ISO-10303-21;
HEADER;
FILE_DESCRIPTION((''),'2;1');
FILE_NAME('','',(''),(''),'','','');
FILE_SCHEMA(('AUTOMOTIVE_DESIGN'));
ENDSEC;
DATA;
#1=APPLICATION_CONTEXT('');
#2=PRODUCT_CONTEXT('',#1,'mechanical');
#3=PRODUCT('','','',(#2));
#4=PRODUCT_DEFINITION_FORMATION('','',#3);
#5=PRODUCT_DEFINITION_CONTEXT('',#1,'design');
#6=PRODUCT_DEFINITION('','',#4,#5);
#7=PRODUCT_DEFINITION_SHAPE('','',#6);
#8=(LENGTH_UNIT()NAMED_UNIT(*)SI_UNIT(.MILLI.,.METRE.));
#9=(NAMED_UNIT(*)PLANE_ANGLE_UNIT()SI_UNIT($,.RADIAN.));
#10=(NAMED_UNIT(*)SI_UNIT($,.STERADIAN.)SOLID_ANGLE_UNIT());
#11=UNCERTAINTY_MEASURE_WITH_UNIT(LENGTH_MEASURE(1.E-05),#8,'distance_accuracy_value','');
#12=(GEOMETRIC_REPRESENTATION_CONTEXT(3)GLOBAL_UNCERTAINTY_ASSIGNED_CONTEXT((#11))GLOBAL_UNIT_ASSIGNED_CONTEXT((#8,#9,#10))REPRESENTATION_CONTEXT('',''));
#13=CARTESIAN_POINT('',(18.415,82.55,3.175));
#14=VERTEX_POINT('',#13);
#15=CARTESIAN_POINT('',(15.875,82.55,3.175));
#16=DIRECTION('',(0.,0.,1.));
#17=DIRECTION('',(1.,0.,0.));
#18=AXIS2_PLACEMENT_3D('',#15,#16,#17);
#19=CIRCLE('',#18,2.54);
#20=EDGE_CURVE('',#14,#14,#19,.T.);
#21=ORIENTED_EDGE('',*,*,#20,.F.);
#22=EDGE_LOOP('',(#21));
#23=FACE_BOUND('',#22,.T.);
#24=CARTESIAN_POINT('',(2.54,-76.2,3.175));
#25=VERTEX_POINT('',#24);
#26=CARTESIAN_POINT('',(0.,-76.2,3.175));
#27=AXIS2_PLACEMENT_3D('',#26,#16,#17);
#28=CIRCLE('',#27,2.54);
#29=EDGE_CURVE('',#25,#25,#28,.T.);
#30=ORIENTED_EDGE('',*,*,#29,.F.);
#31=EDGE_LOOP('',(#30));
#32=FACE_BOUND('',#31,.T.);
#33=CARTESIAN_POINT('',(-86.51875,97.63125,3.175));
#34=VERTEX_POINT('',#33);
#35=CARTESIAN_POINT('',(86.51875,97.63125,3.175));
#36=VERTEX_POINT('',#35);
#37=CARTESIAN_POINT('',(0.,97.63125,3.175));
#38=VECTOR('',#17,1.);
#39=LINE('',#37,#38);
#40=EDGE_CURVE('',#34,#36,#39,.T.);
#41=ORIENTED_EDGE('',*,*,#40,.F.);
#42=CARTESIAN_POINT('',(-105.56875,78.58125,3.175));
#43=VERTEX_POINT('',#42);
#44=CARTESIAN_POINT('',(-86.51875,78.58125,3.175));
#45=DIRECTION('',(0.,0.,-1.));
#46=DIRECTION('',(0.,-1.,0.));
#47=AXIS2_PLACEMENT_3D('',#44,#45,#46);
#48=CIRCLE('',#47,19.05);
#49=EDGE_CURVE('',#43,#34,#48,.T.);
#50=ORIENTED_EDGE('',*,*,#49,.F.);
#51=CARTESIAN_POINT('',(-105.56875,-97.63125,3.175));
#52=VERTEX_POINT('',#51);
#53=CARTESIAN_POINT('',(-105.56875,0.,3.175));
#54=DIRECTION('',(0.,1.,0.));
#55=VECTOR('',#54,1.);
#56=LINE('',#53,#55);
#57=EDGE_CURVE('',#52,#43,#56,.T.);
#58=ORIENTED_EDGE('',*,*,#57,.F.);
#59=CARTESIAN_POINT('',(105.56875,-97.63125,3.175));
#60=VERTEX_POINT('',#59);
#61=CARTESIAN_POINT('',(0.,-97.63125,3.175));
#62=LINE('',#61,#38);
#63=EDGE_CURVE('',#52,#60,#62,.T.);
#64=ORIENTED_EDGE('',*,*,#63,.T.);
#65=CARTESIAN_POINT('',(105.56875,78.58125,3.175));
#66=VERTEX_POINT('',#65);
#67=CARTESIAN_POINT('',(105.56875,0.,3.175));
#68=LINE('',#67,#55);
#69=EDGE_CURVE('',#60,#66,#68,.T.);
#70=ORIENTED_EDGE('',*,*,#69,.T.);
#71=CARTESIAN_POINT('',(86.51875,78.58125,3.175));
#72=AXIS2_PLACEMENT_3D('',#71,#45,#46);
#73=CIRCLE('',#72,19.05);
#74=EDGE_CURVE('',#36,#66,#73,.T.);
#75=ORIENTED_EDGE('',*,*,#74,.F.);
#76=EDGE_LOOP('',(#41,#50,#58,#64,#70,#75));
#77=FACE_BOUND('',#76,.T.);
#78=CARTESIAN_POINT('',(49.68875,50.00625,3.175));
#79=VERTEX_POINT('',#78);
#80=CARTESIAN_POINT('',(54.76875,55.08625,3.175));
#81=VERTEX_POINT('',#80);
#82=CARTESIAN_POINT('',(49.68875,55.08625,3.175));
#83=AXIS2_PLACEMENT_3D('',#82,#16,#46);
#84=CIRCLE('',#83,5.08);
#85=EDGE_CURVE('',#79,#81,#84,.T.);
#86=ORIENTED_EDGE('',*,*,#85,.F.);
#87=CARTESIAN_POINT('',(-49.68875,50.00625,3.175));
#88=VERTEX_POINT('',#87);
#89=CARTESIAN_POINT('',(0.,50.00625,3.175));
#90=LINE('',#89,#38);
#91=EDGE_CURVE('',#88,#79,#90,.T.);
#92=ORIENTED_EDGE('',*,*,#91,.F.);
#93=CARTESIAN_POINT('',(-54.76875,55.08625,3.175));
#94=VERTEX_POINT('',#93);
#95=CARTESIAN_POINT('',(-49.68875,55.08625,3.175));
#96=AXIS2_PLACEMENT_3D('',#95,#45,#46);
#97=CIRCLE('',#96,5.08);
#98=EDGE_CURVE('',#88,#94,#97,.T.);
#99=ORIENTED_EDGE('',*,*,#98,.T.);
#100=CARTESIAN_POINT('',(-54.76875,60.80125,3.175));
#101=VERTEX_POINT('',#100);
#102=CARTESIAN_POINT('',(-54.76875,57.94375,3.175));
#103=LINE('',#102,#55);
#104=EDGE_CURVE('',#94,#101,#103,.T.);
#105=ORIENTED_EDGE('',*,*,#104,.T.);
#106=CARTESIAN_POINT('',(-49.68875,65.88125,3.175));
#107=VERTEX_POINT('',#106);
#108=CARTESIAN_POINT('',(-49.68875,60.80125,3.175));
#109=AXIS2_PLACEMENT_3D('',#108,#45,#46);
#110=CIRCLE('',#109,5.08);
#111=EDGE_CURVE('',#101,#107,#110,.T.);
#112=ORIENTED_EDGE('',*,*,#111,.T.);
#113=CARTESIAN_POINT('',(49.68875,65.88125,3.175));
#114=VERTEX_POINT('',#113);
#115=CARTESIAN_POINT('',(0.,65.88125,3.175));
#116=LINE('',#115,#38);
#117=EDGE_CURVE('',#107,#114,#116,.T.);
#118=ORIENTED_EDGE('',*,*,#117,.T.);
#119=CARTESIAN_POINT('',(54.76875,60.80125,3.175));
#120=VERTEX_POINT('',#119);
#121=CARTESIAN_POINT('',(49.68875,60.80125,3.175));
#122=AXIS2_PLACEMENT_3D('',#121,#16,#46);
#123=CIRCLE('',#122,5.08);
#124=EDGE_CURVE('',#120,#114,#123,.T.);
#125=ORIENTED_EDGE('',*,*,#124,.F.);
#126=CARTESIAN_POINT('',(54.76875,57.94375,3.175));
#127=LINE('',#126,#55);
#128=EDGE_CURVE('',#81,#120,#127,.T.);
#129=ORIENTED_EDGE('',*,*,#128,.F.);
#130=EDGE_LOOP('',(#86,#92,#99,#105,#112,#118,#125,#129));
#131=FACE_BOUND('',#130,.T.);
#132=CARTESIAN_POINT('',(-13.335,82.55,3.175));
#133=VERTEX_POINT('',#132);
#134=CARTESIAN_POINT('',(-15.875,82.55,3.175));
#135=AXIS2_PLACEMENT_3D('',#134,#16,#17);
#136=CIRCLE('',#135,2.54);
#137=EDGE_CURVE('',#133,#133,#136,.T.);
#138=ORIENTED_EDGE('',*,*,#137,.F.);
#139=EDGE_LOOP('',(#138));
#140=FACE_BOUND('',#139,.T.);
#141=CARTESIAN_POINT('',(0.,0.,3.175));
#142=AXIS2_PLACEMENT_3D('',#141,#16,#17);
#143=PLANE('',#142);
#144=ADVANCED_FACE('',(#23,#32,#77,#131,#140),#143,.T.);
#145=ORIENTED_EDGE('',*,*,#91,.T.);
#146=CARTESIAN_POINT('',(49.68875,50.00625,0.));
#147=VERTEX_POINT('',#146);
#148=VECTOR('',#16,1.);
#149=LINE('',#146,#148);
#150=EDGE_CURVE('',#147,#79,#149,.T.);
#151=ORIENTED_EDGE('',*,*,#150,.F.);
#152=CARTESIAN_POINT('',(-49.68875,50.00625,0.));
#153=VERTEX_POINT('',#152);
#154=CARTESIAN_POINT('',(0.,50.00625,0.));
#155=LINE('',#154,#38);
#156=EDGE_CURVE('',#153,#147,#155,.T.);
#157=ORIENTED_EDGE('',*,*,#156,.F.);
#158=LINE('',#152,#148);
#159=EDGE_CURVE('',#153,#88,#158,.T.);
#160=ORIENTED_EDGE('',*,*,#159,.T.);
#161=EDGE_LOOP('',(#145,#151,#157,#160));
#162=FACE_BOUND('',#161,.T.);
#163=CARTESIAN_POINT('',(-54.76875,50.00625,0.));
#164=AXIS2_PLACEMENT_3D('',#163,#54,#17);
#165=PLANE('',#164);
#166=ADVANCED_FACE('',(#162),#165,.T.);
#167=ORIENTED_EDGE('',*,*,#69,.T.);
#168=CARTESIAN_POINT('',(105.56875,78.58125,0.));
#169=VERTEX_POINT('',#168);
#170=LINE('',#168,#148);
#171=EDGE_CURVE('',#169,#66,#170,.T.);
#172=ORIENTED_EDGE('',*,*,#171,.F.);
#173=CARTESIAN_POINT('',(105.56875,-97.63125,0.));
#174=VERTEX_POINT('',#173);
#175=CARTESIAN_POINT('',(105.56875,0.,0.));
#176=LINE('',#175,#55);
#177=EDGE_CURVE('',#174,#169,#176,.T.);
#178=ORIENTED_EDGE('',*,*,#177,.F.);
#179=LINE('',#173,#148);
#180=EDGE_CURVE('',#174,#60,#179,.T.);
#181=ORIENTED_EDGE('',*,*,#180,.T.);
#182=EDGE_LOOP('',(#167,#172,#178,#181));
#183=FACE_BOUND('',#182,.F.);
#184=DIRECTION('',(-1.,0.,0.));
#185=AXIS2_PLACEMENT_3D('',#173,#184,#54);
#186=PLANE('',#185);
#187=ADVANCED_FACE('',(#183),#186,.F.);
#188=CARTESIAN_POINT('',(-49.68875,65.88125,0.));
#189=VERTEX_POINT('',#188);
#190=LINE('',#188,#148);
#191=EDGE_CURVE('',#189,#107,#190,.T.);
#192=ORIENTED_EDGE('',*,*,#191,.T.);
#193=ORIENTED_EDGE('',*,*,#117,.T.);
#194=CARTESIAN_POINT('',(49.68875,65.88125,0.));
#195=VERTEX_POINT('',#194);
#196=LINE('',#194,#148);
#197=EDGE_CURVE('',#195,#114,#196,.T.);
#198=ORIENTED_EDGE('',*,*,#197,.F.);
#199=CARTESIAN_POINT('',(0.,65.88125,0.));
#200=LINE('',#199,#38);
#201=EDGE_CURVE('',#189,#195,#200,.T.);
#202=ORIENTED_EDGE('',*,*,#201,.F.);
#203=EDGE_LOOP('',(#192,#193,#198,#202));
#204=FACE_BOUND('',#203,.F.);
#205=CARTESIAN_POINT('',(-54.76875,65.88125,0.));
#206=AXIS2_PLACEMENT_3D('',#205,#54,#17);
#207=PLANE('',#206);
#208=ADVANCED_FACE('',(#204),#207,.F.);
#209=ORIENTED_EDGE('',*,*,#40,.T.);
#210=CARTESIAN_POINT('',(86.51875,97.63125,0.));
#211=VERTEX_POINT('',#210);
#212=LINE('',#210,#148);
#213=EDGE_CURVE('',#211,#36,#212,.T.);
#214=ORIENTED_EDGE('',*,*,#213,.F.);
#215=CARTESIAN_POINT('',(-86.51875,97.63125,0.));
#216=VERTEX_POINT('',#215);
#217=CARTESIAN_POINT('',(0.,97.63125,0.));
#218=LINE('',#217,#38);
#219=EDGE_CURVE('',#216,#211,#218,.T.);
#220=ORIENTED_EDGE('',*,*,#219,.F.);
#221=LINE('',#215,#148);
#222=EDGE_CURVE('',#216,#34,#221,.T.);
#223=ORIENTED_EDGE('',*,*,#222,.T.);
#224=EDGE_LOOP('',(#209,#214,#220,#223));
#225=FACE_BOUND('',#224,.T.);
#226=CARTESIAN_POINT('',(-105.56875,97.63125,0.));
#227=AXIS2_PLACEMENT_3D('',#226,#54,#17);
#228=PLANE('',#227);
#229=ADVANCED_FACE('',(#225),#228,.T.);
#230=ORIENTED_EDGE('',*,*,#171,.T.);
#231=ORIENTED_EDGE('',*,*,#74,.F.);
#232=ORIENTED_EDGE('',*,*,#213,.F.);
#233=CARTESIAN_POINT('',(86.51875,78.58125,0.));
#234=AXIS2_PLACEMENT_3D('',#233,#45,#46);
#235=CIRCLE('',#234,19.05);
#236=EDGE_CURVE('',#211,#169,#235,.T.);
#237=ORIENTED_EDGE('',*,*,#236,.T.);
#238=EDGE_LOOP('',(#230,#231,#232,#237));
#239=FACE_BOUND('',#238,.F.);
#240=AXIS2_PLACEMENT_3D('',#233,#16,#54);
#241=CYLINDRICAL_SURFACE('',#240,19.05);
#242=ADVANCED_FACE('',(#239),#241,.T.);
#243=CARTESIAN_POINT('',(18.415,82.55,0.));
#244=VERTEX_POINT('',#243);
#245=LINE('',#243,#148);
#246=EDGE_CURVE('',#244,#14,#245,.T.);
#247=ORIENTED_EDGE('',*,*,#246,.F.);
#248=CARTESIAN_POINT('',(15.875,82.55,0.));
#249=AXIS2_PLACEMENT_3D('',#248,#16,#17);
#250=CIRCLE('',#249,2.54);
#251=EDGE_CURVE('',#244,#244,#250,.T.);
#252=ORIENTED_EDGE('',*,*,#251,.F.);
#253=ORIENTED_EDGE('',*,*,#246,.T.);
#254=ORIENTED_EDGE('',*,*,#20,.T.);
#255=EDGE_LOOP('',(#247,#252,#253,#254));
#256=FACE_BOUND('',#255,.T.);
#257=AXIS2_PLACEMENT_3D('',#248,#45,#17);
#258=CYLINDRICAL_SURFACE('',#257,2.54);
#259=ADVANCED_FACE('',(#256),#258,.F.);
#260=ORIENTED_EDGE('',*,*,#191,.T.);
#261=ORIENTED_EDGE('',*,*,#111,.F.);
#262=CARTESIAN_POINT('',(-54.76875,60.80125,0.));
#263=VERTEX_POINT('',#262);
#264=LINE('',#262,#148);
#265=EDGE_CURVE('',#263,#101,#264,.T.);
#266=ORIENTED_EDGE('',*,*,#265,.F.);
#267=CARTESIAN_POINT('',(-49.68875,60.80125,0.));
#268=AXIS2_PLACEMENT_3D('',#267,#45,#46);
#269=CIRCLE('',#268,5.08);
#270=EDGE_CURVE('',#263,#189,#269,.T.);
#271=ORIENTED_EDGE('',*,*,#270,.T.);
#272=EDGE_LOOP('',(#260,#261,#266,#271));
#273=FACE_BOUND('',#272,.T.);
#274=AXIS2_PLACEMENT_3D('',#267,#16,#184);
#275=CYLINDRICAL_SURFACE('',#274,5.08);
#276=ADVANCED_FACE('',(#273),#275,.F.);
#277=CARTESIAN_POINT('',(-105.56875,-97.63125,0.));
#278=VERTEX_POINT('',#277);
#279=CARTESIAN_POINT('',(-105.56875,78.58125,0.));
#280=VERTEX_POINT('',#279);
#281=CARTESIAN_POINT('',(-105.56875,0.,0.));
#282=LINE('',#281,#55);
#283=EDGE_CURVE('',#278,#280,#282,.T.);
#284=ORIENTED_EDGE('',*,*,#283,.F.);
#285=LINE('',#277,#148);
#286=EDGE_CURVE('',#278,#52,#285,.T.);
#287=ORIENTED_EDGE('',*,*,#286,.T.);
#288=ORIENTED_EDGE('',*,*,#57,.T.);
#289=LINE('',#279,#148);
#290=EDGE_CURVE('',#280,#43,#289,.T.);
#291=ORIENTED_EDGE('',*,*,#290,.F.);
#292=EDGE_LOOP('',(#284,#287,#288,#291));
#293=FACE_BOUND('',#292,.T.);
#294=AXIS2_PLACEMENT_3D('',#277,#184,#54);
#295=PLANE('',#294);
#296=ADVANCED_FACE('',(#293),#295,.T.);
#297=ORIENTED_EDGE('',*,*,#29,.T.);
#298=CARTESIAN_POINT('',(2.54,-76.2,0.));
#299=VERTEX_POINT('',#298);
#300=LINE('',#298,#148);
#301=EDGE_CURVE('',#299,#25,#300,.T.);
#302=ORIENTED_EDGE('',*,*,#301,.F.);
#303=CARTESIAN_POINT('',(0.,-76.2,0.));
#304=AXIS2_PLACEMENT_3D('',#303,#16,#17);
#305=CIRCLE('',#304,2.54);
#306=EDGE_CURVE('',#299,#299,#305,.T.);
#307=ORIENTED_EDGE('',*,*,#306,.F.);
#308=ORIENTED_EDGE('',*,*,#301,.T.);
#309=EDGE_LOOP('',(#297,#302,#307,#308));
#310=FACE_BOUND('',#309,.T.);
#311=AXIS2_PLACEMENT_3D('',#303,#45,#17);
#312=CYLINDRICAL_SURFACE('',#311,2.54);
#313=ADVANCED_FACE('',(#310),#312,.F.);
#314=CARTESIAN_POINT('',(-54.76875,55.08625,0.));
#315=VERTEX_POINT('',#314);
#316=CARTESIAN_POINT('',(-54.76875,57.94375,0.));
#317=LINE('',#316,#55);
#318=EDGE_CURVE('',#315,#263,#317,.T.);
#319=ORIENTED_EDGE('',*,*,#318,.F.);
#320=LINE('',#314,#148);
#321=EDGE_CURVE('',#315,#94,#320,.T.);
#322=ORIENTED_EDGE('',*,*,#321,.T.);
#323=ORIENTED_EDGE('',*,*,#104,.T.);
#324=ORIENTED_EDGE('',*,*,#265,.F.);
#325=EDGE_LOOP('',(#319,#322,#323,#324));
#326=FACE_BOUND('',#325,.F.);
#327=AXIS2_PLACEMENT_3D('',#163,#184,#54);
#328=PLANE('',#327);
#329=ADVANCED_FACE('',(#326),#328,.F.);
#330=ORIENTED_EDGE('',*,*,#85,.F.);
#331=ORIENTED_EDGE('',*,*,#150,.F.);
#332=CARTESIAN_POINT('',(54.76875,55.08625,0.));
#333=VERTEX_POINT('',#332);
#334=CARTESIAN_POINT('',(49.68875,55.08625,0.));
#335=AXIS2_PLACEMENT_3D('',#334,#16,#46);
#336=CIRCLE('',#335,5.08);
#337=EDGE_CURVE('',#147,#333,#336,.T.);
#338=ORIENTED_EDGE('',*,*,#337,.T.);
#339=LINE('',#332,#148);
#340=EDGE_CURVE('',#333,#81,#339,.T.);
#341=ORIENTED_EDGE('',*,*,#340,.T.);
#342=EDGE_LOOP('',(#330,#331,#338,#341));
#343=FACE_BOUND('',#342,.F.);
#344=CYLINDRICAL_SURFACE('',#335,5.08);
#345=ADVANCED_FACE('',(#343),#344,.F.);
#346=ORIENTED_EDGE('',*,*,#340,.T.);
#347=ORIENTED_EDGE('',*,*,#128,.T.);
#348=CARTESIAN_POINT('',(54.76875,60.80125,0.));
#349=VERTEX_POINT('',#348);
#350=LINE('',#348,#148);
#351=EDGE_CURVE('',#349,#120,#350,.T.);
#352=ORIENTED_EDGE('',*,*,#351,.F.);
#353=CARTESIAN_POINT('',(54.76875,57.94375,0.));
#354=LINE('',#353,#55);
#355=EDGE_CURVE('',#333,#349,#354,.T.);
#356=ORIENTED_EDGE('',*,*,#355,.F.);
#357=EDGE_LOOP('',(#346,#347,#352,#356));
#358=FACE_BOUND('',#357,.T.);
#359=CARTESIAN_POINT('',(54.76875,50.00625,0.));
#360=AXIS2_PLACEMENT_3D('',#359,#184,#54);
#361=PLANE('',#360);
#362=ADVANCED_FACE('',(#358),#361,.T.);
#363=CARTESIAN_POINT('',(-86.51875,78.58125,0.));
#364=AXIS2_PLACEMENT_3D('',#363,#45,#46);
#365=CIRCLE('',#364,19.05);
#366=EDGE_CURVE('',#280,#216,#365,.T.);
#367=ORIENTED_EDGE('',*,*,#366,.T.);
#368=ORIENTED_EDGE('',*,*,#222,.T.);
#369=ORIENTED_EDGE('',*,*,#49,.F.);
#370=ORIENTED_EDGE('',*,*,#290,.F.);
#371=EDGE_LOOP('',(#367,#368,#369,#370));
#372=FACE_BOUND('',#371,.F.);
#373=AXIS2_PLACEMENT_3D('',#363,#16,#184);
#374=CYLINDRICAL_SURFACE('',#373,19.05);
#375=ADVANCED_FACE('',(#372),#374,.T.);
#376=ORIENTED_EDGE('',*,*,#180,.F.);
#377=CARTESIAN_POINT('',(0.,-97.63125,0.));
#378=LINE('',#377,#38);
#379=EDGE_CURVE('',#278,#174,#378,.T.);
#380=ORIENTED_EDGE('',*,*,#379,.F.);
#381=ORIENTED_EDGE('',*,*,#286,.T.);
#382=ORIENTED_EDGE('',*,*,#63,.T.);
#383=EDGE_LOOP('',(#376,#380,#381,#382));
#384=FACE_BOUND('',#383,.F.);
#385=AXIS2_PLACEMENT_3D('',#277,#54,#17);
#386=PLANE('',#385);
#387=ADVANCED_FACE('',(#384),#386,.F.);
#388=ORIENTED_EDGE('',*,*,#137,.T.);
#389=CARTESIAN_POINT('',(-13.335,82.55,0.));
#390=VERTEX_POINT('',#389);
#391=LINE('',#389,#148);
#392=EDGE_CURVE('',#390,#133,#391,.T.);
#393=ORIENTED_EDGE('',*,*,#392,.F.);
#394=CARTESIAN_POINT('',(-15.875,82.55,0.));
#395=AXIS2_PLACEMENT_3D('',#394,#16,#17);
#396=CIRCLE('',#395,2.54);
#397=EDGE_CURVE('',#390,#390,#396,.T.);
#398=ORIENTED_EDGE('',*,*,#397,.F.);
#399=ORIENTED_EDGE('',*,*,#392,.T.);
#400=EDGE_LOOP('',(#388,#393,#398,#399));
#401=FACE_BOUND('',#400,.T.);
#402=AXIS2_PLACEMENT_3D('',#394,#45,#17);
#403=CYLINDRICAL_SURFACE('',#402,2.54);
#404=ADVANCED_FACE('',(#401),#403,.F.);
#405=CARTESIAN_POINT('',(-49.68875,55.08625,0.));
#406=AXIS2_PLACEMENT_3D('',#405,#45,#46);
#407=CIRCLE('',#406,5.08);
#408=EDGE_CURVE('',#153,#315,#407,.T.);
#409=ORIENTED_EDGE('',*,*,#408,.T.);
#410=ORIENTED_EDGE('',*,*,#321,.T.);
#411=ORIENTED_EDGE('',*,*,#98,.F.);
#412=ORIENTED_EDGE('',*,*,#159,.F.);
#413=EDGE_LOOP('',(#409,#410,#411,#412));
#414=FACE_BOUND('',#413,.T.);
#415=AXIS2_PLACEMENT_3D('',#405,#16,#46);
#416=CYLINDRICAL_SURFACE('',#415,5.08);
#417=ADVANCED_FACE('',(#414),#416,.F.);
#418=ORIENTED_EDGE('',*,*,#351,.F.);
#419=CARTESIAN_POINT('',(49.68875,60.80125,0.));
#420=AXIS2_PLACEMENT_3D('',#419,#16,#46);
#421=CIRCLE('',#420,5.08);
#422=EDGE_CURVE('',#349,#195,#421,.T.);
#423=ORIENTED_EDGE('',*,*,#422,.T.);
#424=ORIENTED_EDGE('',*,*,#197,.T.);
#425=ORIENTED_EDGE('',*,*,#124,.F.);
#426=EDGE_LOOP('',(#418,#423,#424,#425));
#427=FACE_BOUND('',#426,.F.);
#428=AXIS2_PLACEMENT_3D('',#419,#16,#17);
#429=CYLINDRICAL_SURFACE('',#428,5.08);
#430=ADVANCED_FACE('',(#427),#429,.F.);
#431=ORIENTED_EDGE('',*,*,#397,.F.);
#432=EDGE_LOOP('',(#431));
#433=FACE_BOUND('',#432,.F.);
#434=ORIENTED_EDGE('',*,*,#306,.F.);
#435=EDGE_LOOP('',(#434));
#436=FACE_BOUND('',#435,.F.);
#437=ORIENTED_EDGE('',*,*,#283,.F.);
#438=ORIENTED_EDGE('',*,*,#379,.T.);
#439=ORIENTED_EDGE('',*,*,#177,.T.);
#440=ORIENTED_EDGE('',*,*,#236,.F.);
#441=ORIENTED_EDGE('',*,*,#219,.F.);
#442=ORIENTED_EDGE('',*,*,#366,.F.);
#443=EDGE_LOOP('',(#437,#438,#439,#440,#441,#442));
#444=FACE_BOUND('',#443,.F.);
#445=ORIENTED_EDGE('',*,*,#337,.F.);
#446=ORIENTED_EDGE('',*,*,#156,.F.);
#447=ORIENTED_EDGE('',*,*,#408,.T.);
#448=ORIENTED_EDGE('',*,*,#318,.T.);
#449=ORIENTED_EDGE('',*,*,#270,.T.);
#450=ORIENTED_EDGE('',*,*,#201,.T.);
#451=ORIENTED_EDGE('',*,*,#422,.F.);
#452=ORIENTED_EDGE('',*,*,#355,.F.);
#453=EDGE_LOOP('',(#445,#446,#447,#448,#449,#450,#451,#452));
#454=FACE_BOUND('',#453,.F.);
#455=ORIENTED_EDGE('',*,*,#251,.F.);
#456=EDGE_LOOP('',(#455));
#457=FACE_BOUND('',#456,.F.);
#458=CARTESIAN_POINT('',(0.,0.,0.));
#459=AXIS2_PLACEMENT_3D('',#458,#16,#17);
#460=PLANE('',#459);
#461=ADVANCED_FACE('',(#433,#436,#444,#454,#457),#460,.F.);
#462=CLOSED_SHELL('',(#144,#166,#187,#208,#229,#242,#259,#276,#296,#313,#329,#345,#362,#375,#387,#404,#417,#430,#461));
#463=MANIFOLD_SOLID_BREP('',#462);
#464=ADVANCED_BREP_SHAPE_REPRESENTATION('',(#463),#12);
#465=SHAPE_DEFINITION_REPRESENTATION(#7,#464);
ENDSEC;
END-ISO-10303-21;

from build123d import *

# Parameters (mm, degrees)
F0_W     = 211.1375
F0_H     = 195.2625
F0_R     = 2.54
F0_W_2   = 109.5375
F0_H_2   = 15.875
F1_DEPTH = 3.175
F2_R     = 19.05
F3_R     = 5.08


with BuildPart() as f1:
    # F0 (on Top) → F1 (new body)
    with BuildSketch(Plane.XY):
        Rectangle(F0_W, F0_H)
        with Locations((0, -76.2)):
            Circle(F0_R, mode=Mode.SUBTRACT)
        with Locations((-15.875, 82.55)):
            Circle(F0_R, mode=Mode.SUBTRACT)
        with Locations((0, 57.94375)):
            Rectangle(F0_W_2, F0_H_2, mode=Mode.SUBTRACT)
        with Locations((15.875, 82.55)):
            Circle(F0_R, mode=Mode.SUBTRACT)
    extrude(amount=F1_DEPTH)

    # F2
    f2_edges = [f1.edges().sort_by_distance(p)[0] for p in [
        (-105.56875, 97.63125, 1.5875),
        (105.56875, 97.63125, 1.5875),
    ]]
    fillet(f2_edges, radius=F2_R)

    # F3
    f3_edges = [f1.edges().sort_by_distance(p)[0] for p in [
        (-54.76875, 50.00625, 1.5875),
        (-54.76875, 65.88125, 1.5875),
        (54.76875, 50.00625, 1.5875),
        (54.76875, 65.88125, 1.5875),
    ]]
    fillet(f3_edges, radius=F3_R)


solid = f1.part
